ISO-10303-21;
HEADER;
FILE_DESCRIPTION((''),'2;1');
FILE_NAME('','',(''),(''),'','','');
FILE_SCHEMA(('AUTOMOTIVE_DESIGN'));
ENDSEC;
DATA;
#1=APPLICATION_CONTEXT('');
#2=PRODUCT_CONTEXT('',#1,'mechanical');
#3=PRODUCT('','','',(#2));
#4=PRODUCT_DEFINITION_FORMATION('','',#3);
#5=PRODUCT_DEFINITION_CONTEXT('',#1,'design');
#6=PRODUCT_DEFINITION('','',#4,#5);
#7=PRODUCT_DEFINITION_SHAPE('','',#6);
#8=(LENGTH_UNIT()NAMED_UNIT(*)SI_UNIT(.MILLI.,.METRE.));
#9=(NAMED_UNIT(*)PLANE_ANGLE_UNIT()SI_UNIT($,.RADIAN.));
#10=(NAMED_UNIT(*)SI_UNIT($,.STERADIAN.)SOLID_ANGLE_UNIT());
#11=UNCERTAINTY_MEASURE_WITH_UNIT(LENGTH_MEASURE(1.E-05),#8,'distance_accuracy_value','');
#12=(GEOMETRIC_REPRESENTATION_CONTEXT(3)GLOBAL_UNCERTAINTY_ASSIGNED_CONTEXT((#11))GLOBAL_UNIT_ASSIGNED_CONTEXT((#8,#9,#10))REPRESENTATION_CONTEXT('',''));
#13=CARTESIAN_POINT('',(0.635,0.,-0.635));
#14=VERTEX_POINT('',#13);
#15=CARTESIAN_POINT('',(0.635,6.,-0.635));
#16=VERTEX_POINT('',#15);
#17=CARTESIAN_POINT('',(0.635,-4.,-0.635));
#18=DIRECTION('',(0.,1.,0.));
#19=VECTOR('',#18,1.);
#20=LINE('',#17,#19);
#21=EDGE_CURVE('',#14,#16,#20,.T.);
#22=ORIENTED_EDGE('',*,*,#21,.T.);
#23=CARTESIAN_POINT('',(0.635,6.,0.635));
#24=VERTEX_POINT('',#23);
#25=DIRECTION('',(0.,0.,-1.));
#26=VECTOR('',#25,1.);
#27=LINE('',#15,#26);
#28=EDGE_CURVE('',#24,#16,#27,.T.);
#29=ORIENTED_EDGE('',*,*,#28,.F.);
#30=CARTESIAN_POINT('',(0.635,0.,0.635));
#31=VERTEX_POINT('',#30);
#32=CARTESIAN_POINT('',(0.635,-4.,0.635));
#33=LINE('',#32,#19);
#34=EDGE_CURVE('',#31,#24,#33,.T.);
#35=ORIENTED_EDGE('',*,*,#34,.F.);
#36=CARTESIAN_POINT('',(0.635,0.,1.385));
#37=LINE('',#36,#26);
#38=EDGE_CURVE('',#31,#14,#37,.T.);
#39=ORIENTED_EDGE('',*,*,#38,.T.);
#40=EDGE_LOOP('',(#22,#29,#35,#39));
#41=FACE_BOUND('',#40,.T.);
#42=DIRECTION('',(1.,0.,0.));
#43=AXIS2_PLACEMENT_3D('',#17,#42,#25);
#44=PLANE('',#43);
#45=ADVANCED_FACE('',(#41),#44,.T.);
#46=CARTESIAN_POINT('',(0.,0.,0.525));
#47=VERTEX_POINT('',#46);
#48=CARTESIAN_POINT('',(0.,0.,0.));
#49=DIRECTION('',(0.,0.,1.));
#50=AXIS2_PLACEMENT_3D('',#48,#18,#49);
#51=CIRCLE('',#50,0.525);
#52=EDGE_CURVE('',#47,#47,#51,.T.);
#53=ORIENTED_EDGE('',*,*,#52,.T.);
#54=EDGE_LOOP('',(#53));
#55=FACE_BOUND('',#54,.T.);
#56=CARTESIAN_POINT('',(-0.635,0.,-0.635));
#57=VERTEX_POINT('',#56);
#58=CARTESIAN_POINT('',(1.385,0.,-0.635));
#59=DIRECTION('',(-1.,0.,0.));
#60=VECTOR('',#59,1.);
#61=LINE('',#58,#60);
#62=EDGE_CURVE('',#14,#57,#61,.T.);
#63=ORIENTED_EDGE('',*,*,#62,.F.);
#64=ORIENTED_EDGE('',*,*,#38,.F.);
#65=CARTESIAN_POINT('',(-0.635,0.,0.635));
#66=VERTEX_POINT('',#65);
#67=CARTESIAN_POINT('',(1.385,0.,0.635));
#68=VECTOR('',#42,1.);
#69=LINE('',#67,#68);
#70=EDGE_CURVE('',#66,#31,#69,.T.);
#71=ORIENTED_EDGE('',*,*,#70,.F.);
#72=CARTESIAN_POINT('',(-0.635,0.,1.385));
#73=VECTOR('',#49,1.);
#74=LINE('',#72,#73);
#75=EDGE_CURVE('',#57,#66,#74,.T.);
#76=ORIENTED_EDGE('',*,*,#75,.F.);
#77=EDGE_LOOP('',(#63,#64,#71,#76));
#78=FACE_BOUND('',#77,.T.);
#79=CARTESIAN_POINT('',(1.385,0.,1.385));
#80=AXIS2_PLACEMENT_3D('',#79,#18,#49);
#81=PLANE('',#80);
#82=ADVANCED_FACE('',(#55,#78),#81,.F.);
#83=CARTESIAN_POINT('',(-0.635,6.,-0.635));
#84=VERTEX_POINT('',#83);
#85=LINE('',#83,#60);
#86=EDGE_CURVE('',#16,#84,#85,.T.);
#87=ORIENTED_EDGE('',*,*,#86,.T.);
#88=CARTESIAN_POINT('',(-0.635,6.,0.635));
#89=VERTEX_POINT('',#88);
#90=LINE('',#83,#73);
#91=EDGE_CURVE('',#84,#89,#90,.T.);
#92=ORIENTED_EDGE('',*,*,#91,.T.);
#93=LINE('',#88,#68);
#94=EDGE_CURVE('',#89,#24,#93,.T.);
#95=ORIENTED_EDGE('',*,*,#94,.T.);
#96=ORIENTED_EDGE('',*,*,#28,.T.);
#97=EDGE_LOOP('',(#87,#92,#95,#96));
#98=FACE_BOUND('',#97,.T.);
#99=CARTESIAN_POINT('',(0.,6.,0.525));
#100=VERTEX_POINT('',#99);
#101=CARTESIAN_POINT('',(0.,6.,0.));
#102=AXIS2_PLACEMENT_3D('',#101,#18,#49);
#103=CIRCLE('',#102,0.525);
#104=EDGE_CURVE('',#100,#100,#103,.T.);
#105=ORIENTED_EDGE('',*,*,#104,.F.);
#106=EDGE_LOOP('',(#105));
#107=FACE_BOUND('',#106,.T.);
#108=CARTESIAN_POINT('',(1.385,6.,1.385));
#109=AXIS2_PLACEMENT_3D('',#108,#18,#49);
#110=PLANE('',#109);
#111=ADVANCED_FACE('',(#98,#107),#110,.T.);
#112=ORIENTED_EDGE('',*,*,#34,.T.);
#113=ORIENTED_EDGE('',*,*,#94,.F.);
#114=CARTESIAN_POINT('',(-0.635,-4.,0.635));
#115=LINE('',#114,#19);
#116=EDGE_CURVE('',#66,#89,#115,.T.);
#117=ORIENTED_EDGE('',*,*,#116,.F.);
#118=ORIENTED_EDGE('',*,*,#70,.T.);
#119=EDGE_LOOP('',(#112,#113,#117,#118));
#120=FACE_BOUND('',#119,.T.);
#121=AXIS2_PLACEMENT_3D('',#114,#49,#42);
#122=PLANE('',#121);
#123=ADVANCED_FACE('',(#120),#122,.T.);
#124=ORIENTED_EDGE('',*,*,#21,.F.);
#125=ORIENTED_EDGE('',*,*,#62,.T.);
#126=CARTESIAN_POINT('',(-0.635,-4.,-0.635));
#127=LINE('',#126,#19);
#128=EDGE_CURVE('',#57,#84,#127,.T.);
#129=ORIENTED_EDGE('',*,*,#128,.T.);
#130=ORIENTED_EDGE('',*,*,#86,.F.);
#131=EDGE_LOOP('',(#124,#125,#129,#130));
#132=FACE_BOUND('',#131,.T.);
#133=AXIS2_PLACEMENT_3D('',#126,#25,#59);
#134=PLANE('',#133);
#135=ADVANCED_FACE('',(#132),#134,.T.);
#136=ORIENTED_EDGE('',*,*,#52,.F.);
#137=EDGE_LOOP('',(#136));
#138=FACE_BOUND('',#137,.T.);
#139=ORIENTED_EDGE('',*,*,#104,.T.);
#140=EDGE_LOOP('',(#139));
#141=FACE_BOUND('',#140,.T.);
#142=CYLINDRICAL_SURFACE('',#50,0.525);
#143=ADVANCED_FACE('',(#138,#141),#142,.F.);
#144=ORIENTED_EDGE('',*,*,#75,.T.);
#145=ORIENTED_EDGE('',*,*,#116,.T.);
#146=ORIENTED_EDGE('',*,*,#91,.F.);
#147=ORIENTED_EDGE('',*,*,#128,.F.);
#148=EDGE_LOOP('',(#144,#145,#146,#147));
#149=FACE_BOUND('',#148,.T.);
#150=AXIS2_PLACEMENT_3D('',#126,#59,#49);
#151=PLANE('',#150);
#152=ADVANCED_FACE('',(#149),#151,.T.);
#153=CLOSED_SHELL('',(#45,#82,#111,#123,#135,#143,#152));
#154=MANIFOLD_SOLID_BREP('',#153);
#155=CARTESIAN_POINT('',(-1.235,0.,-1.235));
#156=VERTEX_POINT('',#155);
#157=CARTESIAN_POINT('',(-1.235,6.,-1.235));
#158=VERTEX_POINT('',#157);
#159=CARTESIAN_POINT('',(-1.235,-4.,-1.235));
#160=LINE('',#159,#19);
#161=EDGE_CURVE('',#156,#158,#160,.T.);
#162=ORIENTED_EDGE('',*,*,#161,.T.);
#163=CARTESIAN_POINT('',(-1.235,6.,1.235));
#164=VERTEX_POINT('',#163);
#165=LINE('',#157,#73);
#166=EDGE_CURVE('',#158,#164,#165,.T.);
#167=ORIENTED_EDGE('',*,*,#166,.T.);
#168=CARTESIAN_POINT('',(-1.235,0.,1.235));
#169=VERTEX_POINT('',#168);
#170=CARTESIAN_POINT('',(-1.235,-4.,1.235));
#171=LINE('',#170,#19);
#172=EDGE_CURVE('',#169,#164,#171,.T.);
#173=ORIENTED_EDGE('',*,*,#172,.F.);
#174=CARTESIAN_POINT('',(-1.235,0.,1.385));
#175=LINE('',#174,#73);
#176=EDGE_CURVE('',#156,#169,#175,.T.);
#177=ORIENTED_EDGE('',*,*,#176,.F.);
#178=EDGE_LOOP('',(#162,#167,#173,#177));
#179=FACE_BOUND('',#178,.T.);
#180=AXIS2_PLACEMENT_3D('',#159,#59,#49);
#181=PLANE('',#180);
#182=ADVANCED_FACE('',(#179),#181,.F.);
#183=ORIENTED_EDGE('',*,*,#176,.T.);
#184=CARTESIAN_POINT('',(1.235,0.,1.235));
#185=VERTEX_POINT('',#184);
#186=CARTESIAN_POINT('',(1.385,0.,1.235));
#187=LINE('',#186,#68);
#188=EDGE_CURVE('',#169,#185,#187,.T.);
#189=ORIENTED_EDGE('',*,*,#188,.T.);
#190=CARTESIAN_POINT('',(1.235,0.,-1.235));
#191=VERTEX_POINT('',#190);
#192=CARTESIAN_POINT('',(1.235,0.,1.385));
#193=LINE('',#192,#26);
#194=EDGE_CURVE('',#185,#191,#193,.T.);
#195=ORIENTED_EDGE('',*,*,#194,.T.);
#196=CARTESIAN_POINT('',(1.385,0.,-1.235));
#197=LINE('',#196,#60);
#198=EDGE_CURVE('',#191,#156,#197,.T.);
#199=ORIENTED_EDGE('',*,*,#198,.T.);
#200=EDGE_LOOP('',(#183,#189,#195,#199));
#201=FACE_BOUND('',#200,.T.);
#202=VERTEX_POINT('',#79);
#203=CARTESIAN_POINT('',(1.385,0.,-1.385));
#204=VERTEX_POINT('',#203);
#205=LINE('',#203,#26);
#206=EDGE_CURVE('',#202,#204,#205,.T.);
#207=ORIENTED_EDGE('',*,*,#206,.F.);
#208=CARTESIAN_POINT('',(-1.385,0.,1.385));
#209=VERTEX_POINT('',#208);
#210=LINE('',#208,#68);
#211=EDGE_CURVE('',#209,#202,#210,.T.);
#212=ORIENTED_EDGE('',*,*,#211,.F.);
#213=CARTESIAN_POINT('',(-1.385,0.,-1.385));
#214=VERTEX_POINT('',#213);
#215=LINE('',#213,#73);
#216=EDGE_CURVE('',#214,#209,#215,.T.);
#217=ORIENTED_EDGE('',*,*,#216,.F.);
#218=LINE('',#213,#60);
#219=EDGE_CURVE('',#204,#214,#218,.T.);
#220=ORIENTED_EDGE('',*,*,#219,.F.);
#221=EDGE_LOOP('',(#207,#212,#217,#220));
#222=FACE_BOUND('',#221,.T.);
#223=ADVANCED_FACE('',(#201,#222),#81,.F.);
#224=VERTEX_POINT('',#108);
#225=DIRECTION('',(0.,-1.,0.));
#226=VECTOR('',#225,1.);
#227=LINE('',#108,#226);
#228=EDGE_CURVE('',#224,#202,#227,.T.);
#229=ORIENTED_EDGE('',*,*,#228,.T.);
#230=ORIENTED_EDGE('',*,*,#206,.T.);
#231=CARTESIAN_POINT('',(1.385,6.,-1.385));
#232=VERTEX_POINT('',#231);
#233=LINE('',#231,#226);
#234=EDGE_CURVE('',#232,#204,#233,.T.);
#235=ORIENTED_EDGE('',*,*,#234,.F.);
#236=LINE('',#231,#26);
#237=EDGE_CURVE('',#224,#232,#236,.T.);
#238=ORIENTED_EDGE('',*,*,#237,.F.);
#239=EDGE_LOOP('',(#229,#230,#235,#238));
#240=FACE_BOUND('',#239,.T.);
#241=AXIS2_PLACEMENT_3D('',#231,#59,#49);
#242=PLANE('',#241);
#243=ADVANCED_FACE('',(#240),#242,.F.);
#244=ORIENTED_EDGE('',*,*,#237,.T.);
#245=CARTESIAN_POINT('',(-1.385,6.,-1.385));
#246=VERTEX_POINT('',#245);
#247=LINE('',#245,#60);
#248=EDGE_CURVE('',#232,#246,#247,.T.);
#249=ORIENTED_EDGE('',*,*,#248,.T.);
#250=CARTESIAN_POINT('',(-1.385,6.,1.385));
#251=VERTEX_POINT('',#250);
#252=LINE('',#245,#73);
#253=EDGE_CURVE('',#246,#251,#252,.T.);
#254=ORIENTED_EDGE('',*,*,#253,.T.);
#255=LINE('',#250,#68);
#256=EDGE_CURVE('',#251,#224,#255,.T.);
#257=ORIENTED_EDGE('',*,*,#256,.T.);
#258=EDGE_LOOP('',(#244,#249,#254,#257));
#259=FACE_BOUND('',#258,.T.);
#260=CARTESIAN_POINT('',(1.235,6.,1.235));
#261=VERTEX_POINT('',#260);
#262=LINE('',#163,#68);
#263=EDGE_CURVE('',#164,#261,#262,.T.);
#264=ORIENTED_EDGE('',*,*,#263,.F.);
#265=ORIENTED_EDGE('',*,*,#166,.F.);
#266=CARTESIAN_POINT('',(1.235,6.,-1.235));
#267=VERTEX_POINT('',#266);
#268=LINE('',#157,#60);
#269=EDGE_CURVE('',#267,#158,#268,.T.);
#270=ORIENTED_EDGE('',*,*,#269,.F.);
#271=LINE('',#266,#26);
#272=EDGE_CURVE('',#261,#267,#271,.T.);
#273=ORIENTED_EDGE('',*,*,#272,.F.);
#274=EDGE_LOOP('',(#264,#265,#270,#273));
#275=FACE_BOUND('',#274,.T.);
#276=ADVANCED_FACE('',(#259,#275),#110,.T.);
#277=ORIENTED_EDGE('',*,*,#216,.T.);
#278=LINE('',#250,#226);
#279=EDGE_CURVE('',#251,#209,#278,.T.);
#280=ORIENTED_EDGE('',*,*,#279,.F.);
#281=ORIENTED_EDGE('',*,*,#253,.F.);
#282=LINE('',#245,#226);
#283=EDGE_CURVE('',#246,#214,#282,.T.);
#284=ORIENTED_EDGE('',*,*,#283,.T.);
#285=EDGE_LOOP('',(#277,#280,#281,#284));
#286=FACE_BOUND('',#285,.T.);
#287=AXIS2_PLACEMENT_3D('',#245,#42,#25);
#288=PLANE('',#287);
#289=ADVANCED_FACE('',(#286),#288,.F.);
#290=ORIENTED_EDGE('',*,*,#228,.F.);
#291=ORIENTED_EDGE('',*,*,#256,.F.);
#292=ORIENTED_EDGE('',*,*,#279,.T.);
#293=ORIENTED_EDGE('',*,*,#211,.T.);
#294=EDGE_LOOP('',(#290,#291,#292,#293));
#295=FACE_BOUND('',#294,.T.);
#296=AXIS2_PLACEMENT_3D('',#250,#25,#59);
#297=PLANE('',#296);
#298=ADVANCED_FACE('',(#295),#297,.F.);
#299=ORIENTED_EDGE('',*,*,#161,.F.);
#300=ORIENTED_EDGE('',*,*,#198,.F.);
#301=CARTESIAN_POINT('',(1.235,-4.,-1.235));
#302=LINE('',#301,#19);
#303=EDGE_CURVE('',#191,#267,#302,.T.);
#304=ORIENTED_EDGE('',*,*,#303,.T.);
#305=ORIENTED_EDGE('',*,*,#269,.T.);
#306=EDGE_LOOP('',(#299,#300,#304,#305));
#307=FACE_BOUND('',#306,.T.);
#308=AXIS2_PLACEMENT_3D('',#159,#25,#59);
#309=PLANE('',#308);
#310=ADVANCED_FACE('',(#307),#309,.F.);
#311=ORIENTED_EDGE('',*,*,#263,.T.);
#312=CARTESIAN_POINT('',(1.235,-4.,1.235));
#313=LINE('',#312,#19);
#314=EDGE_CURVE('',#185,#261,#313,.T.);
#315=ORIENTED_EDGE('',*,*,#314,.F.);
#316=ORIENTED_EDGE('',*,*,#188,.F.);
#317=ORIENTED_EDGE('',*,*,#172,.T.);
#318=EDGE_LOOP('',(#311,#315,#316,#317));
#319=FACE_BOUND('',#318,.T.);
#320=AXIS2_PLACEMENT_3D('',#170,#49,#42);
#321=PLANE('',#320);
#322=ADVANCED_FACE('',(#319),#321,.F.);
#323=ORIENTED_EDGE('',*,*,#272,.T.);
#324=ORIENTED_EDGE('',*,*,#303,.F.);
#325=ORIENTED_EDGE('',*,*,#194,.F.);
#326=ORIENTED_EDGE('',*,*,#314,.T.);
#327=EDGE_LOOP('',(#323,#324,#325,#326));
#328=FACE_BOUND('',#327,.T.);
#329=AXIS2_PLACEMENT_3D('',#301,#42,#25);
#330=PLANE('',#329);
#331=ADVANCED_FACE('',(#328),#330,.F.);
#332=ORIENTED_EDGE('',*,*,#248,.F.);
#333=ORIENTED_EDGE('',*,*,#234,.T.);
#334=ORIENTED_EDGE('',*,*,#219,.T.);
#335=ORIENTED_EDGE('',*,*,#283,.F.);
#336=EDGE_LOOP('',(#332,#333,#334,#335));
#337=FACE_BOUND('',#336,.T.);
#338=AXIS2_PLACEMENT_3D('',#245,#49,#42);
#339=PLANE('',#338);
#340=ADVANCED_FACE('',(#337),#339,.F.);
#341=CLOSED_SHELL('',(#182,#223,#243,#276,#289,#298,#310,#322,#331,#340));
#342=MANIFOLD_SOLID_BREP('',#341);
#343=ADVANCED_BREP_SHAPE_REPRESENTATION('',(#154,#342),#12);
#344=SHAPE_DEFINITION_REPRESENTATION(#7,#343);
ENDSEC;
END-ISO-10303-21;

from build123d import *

# Parameters (mm, degrees)
SKETCH1_W           = 2.77
SKETCH1_H           = 2.77
BOSS_EXTRUDE1_DEPTH = 6
SKETCH2_R           = 0.525
CUT_EXTRUDE1_DEPTH  = 7
SKETCH3_W           = 2.47
SKETCH3_H           = 2.47
SKETCH3_W_2         = 1.27
SKETCH3_H_2         = 1.27
CUT_EXTRUDE2_DEPTH  = 10


with BuildPart() as part:
    # Sketch1 → Boss-Extrude1 (new body)
    with BuildSketch(Plane(origin=(0, 0, 0), x_dir=(1, 0, 0), z_dir=(0, 1, 0))):
        Rectangle(SKETCH1_W, SKETCH1_H)
    extrude(amount=BOSS_EXTRUDE1_DEPTH)

    # Sketch2 → Cut-Extrude1 (cut, through all)
    with BuildSketch(Plane(origin=(0, 6, 0), x_dir=(1, 0, 0), z_dir=(0, 1, 0))):
        Circle(SKETCH2_R)
    extrude(amount=-CUT_EXTRUDE1_DEPTH, mode=Mode.SUBTRACT)

    # Sketch3 → Cut-Extrude2 (cut)
    with BuildSketch(Plane(origin=(0, 6, 0), x_dir=(1, 0, 0), z_dir=(0, 1, 0))):
        Rectangle(SKETCH3_W, SKETCH3_H)
        Rectangle(SKETCH3_W_2, SKETCH3_H_2, mode=Mode.SUBTRACT)
    extrude(amount=-CUT_EXTRUDE2_DEPTH, mode=Mode.SUBTRACT)


solid = part.part
